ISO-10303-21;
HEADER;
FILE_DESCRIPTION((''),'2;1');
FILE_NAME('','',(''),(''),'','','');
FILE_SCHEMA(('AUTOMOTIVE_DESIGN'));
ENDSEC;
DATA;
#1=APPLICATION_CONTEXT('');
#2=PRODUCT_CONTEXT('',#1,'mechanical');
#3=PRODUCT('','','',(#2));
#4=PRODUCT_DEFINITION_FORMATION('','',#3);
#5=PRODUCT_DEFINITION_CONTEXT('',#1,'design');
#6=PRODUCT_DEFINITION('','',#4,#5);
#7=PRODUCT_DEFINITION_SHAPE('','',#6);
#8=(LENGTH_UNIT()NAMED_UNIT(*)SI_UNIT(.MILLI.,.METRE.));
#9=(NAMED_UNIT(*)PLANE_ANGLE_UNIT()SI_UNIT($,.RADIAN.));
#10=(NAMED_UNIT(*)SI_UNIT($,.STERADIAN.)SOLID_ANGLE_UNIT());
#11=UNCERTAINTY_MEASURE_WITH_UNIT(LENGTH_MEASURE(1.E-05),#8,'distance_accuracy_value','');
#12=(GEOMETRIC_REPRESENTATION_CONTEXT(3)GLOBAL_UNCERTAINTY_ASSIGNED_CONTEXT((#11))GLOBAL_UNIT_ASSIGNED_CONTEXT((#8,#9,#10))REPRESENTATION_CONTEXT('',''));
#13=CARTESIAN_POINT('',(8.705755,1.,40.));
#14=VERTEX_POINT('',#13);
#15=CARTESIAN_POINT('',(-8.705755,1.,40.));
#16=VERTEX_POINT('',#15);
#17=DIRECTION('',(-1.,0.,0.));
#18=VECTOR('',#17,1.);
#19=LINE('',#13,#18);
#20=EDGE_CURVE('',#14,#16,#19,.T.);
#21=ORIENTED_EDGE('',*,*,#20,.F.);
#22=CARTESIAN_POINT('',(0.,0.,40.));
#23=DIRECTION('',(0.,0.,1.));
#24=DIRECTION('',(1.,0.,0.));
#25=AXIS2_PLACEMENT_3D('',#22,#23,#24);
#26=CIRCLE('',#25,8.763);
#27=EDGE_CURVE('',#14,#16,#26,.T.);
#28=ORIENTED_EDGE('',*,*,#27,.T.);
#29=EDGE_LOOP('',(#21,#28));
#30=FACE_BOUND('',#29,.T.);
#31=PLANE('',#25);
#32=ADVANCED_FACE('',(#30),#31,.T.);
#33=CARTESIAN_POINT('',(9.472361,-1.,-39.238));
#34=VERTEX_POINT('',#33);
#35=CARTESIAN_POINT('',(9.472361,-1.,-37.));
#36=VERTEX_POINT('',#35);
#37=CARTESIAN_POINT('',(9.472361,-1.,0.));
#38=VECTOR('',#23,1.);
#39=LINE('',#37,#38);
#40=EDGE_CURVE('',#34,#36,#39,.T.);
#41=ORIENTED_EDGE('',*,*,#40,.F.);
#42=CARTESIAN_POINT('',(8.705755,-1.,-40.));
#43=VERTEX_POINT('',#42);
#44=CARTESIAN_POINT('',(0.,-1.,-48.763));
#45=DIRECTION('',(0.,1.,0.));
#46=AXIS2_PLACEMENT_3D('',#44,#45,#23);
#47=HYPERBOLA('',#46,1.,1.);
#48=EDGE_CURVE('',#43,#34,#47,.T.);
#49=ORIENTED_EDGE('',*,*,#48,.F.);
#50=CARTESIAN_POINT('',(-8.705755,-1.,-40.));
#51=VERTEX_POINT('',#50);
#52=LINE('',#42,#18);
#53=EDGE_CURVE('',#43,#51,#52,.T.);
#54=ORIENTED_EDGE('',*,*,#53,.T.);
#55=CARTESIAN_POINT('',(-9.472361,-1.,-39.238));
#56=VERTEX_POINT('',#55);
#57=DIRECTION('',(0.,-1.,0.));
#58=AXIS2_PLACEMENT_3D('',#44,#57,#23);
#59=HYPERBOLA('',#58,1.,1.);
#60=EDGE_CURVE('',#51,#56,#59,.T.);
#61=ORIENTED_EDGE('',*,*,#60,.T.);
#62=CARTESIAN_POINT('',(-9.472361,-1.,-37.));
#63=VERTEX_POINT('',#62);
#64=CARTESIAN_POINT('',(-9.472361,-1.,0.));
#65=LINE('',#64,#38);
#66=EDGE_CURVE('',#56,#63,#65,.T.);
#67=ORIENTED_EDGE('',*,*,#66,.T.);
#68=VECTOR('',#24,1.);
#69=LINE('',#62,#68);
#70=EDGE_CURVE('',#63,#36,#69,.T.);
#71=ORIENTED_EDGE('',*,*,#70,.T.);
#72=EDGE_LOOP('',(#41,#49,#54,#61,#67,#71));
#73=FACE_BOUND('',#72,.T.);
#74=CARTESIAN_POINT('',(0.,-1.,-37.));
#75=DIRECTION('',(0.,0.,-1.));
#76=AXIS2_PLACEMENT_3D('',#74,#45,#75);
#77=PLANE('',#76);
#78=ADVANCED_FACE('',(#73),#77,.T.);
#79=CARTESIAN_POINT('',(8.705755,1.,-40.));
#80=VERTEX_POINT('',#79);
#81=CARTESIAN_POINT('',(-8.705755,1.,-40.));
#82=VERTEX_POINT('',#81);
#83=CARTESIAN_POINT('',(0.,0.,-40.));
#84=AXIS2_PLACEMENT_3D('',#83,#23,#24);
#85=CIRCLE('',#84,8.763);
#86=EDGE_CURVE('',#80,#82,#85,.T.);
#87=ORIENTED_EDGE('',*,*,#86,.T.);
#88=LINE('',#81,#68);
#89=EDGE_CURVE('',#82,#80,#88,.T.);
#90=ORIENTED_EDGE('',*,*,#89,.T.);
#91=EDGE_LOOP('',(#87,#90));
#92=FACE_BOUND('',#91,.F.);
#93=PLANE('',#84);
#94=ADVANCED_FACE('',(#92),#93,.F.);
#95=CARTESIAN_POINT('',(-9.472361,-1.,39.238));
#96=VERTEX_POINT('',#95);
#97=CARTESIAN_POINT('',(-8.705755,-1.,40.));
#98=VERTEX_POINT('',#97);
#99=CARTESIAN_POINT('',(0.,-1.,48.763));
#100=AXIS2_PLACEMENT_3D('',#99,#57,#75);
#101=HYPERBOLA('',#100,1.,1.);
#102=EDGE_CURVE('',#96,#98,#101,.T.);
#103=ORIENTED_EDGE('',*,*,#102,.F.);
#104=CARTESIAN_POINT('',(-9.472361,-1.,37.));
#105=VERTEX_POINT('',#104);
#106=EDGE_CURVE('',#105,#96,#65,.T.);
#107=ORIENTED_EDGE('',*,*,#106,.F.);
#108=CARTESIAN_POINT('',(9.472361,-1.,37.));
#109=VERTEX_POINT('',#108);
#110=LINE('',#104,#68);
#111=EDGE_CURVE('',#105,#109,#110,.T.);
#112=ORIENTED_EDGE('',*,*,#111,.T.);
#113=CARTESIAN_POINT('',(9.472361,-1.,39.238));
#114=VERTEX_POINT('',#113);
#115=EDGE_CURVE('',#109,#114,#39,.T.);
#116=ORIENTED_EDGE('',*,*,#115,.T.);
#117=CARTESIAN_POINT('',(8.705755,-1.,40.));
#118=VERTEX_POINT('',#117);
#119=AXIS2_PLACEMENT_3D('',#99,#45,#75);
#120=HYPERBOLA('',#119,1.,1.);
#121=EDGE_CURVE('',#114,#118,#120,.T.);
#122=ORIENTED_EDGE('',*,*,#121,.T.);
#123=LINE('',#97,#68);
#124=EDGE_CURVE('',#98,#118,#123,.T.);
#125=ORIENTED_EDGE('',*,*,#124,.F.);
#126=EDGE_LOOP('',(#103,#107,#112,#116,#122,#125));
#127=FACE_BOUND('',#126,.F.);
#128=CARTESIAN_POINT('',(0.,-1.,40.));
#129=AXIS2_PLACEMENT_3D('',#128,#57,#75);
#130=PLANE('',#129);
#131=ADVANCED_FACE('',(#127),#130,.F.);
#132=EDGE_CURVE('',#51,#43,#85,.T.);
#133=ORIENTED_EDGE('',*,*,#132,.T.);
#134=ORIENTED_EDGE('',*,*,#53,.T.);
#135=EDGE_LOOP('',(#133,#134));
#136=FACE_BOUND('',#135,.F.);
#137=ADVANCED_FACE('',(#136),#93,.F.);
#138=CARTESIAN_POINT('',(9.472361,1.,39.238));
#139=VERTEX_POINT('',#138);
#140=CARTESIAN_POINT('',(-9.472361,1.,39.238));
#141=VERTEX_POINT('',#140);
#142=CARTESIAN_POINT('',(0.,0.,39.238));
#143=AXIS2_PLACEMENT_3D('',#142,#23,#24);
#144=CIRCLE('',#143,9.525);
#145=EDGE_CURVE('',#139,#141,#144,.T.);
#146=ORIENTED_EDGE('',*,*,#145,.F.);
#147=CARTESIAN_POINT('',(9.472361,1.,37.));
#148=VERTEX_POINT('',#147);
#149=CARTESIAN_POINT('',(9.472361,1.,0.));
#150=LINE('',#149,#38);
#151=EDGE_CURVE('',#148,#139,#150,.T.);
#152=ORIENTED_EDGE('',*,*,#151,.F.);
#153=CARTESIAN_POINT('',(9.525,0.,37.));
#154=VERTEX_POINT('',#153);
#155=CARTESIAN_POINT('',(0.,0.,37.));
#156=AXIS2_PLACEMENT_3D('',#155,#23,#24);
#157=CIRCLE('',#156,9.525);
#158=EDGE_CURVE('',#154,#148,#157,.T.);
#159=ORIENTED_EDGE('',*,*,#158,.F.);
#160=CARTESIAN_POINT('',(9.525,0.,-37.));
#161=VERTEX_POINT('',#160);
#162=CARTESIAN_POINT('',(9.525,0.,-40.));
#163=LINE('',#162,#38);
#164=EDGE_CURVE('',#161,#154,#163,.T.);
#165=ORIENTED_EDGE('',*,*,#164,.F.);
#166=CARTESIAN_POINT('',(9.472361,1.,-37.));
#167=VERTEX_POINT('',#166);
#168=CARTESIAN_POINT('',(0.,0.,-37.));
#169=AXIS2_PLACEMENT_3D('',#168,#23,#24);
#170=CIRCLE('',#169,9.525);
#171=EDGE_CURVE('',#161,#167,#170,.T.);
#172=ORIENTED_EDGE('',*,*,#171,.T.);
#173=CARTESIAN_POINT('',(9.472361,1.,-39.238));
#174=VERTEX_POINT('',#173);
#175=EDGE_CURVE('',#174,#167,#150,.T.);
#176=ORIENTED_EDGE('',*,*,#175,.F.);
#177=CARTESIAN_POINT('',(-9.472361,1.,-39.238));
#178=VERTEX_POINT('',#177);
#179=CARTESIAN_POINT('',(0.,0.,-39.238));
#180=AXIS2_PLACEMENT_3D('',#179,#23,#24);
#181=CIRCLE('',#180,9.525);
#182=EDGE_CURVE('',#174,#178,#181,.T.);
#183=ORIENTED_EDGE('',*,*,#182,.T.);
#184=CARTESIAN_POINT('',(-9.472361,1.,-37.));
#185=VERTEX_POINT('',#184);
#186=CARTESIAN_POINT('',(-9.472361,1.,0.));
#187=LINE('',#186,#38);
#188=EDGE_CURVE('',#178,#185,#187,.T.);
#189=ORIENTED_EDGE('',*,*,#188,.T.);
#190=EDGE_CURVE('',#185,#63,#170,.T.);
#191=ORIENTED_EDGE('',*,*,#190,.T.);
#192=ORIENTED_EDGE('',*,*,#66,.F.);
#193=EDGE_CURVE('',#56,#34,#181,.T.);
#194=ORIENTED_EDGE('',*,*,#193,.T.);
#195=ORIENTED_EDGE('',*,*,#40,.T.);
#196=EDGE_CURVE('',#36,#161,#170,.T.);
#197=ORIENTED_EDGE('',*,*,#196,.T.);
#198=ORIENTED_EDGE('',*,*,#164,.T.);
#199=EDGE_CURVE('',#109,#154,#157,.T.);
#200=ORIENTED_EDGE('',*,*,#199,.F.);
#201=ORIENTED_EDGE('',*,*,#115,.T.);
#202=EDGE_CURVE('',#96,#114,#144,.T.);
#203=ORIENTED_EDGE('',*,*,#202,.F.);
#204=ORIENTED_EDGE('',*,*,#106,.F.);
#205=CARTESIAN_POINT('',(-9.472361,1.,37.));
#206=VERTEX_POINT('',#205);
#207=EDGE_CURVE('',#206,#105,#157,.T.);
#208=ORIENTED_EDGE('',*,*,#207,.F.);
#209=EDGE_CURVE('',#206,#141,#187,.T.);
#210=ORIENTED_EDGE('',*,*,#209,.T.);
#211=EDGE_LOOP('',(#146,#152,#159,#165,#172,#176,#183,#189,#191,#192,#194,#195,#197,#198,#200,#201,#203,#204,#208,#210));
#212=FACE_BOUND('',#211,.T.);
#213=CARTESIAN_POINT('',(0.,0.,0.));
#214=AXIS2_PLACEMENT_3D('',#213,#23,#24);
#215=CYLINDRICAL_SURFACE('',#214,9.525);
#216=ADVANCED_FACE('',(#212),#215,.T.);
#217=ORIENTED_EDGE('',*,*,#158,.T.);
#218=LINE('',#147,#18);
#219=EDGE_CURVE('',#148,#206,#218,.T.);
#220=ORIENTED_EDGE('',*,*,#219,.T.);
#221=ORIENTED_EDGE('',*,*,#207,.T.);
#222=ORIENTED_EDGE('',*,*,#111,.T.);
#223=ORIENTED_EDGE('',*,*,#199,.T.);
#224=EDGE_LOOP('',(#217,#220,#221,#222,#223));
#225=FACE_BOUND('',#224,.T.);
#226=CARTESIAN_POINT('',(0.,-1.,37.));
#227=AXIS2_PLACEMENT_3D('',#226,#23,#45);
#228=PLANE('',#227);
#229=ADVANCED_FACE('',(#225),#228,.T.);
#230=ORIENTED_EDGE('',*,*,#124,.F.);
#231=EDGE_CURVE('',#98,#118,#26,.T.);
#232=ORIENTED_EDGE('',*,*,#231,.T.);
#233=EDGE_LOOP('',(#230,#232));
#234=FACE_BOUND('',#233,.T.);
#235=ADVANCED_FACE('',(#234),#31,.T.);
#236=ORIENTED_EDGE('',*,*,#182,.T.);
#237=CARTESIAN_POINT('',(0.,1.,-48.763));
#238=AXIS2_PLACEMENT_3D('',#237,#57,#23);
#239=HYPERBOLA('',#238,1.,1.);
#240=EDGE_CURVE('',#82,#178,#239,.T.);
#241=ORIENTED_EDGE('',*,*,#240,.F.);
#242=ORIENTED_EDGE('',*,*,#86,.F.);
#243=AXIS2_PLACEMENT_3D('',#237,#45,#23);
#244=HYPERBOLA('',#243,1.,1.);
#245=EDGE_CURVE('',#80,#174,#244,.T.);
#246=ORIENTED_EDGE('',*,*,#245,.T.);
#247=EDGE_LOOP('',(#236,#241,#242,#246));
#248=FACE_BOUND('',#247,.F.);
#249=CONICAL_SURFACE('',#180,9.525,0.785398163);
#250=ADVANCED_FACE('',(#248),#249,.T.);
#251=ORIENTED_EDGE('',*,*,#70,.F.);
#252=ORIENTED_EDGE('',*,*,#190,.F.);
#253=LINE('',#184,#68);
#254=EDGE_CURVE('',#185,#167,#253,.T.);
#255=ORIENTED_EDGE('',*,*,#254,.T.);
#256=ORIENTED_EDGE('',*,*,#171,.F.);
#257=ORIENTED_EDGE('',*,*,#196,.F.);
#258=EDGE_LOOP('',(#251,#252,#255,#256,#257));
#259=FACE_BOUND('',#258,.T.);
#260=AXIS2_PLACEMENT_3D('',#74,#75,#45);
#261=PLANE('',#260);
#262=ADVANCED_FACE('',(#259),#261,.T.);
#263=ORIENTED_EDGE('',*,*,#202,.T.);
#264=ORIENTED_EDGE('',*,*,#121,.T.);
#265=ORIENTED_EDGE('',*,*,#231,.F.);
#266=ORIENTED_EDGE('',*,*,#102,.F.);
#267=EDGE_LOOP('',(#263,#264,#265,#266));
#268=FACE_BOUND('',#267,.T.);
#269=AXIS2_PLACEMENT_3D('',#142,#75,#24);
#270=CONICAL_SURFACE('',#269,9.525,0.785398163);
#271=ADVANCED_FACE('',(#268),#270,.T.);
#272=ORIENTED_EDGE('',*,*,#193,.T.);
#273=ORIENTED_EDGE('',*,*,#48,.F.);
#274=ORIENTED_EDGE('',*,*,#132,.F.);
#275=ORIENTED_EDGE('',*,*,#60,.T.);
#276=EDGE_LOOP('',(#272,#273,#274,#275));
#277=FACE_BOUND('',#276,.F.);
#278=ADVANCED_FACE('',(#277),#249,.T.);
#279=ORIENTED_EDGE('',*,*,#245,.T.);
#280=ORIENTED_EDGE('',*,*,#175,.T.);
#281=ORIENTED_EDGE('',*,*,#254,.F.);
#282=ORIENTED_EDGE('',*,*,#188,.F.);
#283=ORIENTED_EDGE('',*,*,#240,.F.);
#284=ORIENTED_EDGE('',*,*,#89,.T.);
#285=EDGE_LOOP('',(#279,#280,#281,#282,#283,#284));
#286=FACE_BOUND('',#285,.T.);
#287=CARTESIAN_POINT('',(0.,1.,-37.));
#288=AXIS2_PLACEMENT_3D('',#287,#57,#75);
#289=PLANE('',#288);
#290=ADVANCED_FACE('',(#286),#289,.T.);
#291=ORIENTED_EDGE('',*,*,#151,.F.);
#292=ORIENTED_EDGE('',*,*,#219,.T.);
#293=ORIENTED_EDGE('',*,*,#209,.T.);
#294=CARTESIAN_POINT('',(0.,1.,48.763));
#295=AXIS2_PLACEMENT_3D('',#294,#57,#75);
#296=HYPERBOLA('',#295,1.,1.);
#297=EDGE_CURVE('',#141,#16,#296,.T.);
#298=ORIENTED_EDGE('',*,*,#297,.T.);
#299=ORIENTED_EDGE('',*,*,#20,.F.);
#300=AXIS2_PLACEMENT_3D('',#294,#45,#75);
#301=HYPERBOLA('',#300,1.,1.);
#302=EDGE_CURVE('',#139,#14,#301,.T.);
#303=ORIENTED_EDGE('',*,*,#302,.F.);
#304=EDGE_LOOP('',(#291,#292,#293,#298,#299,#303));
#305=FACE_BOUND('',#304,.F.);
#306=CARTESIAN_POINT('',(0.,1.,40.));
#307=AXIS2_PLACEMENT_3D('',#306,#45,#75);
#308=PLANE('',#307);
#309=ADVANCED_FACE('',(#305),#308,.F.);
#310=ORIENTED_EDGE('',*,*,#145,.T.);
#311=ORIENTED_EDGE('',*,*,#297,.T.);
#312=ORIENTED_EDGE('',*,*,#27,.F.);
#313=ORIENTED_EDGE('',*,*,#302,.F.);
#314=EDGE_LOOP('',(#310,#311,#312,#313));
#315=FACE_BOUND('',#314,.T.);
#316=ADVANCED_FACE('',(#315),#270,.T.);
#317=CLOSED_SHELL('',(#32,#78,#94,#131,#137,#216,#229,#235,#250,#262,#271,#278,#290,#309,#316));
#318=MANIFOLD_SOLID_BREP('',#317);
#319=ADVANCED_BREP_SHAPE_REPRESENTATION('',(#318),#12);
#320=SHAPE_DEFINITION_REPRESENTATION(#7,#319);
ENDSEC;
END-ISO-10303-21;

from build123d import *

# Parameters (mm, degrees)
SKETCH1_R               = 9.525
BOSS_EXTRUDE1_DEPTH     = 40
CHAMFER1_SIZE           = 0.762
SKETCH2_W               = 3
SKETCH2_H               = 2
CUT_EXTRUDE1_DEPTH      = 10.525
CUT_EXTRUDE1_DEPTH_BACK = 10.525


with BuildPart() as part:
    # Sketch1 → Boss-Extrude1 (new body, symmetric)
    with BuildSketch(Plane.XY):
        Circle(SKETCH1_R)
    extrude(amount=BOSS_EXTRUDE1_DEPTH, both=True)

    # Chamfer1
    chamfer1_edges = [part.edges().sort_by_distance(p)[0] for p in [
        (-9.525, 0, -40),
        (-9.525, 0, 40),
    ]]
    chamfer(chamfer1_edges, length=CHAMFER1_SIZE)

    # Sketch2 → Cut-Extrude1 (cut, two sides)
    with BuildSketch(Plane(origin=(0, 0, 0), x_dir=(0, 0, -1), z_dir=(1, 0, 0))) as cut_extrude1_sk:
        with Locations((-38.5, 0)):
            Rectangle(SKETCH2_W, SKETCH2_H)
        with Locations((38.5, 0)):
            Rectangle(SKETCH2_W, SKETCH2_H)
    extrude(amount=CUT_EXTRUDE1_DEPTH, mode=Mode.SUBTRACT)
    extrude(cut_extrude1_sk.sketch, amount=-CUT_EXTRUDE1_DEPTH_BACK, mode=Mode.SUBTRACT)


solid = part.part
